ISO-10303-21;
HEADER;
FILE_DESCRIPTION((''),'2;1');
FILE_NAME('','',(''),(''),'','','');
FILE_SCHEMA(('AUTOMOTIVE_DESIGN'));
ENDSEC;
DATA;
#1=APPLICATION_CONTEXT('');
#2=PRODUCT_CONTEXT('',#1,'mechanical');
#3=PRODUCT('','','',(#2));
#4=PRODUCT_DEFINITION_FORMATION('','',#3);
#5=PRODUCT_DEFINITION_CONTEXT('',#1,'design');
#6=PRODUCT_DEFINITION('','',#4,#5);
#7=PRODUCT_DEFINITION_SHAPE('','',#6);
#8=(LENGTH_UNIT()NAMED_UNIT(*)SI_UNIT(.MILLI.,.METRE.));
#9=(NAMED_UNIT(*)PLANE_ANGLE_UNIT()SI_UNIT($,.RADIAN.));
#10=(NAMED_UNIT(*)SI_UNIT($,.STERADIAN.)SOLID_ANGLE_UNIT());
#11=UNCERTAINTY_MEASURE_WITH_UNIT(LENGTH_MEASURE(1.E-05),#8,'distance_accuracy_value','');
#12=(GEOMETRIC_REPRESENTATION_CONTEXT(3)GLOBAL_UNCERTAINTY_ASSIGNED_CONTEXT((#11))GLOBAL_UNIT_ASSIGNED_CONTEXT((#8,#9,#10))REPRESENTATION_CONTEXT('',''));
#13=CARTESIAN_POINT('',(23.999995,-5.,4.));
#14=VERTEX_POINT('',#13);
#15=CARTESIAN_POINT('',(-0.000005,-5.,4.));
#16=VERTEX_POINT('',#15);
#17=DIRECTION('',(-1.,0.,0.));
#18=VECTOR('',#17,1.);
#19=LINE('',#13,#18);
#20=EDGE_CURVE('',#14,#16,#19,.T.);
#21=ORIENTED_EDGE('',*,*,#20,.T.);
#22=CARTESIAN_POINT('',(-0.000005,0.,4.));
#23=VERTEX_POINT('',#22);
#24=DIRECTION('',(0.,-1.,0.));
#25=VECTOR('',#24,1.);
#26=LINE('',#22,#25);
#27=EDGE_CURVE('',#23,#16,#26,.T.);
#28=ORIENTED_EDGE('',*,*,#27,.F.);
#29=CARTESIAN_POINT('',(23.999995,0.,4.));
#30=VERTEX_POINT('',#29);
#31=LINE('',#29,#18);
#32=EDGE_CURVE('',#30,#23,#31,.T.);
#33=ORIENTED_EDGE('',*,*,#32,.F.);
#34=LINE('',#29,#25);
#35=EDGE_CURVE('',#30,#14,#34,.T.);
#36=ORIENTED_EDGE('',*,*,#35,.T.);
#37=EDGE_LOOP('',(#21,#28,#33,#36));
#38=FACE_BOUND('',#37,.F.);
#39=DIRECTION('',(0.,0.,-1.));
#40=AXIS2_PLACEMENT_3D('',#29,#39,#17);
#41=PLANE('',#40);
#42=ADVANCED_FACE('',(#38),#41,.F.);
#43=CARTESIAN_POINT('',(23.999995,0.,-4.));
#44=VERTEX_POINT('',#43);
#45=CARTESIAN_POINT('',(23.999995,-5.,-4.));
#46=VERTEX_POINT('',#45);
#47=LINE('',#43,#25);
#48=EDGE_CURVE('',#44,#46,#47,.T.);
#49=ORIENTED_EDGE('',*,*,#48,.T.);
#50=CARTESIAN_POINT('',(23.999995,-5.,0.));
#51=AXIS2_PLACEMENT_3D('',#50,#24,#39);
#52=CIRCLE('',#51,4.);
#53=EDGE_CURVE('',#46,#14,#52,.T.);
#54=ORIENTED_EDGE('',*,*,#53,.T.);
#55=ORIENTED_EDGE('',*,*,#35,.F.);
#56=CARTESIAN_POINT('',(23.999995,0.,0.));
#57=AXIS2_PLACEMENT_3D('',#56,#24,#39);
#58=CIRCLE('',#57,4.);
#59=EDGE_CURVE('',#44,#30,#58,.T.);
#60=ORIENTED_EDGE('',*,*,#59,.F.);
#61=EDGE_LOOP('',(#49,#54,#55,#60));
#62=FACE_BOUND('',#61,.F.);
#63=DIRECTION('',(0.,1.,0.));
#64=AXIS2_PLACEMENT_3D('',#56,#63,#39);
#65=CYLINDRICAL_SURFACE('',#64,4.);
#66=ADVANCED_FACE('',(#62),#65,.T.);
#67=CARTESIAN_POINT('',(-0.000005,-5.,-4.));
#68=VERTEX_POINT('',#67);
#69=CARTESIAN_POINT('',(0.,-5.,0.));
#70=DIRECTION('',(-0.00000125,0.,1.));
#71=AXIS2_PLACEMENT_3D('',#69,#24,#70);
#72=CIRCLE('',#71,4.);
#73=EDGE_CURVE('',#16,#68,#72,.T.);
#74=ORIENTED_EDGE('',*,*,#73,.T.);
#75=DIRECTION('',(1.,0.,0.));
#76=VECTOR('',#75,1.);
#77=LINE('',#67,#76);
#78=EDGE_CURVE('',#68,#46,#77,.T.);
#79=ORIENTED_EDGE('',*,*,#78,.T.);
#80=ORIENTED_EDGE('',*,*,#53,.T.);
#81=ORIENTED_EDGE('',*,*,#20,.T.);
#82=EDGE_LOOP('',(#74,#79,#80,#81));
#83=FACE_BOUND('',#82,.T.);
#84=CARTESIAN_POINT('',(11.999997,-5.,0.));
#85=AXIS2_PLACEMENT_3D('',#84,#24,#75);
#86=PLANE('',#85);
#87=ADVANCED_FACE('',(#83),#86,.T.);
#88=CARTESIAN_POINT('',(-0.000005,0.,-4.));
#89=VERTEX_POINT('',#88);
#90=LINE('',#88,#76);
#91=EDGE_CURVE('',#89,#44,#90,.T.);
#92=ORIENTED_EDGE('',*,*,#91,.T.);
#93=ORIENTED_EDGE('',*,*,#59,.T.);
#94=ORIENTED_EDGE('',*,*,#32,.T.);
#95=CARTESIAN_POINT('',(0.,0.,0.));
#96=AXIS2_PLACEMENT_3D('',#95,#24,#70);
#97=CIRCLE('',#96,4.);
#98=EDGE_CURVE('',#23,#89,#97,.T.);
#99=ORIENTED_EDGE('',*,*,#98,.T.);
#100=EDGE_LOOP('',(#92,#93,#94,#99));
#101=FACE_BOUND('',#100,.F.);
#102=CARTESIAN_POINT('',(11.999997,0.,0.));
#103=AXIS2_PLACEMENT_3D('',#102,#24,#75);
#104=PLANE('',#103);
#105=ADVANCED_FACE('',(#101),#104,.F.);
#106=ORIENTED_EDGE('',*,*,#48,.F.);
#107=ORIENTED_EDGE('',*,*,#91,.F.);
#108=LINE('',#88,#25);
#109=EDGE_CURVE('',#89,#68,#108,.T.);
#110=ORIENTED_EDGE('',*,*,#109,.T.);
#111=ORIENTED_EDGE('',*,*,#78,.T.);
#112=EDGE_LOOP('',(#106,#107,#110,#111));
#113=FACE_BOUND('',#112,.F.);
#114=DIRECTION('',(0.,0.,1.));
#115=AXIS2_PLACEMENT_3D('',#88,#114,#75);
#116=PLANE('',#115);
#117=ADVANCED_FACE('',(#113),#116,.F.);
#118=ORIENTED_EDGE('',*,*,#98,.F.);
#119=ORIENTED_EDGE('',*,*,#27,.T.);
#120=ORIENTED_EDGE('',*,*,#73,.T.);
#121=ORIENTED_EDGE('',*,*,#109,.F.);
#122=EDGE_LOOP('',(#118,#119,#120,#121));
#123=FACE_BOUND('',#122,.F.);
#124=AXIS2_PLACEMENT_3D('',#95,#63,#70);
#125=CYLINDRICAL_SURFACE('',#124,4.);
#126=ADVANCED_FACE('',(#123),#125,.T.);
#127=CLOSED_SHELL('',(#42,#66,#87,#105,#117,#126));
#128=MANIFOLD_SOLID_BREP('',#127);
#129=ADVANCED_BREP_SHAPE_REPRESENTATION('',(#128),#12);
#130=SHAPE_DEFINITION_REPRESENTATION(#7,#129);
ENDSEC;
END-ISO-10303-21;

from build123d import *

# Parameters (mm, degrees)
PAD_DEPTH = 5


with BuildPart() as part:
    # Sketch → Pad (new body)
    with BuildSketch(Plane.XZ):
        with BuildLine():
            ThreePointArc((-5e-06, 4), (-4, 0), (-5e-06, -4))
            Line((-5e-06, -4), (23.999995, -4))
            ThreePointArc((23.999995, -4), (27.999995, 0), (23.999995, 4))
            Line((23.999995, 4), (-5e-06, 4))
        make_face()
    extrude(amount=PAD_DEPTH)


solid = part.part
